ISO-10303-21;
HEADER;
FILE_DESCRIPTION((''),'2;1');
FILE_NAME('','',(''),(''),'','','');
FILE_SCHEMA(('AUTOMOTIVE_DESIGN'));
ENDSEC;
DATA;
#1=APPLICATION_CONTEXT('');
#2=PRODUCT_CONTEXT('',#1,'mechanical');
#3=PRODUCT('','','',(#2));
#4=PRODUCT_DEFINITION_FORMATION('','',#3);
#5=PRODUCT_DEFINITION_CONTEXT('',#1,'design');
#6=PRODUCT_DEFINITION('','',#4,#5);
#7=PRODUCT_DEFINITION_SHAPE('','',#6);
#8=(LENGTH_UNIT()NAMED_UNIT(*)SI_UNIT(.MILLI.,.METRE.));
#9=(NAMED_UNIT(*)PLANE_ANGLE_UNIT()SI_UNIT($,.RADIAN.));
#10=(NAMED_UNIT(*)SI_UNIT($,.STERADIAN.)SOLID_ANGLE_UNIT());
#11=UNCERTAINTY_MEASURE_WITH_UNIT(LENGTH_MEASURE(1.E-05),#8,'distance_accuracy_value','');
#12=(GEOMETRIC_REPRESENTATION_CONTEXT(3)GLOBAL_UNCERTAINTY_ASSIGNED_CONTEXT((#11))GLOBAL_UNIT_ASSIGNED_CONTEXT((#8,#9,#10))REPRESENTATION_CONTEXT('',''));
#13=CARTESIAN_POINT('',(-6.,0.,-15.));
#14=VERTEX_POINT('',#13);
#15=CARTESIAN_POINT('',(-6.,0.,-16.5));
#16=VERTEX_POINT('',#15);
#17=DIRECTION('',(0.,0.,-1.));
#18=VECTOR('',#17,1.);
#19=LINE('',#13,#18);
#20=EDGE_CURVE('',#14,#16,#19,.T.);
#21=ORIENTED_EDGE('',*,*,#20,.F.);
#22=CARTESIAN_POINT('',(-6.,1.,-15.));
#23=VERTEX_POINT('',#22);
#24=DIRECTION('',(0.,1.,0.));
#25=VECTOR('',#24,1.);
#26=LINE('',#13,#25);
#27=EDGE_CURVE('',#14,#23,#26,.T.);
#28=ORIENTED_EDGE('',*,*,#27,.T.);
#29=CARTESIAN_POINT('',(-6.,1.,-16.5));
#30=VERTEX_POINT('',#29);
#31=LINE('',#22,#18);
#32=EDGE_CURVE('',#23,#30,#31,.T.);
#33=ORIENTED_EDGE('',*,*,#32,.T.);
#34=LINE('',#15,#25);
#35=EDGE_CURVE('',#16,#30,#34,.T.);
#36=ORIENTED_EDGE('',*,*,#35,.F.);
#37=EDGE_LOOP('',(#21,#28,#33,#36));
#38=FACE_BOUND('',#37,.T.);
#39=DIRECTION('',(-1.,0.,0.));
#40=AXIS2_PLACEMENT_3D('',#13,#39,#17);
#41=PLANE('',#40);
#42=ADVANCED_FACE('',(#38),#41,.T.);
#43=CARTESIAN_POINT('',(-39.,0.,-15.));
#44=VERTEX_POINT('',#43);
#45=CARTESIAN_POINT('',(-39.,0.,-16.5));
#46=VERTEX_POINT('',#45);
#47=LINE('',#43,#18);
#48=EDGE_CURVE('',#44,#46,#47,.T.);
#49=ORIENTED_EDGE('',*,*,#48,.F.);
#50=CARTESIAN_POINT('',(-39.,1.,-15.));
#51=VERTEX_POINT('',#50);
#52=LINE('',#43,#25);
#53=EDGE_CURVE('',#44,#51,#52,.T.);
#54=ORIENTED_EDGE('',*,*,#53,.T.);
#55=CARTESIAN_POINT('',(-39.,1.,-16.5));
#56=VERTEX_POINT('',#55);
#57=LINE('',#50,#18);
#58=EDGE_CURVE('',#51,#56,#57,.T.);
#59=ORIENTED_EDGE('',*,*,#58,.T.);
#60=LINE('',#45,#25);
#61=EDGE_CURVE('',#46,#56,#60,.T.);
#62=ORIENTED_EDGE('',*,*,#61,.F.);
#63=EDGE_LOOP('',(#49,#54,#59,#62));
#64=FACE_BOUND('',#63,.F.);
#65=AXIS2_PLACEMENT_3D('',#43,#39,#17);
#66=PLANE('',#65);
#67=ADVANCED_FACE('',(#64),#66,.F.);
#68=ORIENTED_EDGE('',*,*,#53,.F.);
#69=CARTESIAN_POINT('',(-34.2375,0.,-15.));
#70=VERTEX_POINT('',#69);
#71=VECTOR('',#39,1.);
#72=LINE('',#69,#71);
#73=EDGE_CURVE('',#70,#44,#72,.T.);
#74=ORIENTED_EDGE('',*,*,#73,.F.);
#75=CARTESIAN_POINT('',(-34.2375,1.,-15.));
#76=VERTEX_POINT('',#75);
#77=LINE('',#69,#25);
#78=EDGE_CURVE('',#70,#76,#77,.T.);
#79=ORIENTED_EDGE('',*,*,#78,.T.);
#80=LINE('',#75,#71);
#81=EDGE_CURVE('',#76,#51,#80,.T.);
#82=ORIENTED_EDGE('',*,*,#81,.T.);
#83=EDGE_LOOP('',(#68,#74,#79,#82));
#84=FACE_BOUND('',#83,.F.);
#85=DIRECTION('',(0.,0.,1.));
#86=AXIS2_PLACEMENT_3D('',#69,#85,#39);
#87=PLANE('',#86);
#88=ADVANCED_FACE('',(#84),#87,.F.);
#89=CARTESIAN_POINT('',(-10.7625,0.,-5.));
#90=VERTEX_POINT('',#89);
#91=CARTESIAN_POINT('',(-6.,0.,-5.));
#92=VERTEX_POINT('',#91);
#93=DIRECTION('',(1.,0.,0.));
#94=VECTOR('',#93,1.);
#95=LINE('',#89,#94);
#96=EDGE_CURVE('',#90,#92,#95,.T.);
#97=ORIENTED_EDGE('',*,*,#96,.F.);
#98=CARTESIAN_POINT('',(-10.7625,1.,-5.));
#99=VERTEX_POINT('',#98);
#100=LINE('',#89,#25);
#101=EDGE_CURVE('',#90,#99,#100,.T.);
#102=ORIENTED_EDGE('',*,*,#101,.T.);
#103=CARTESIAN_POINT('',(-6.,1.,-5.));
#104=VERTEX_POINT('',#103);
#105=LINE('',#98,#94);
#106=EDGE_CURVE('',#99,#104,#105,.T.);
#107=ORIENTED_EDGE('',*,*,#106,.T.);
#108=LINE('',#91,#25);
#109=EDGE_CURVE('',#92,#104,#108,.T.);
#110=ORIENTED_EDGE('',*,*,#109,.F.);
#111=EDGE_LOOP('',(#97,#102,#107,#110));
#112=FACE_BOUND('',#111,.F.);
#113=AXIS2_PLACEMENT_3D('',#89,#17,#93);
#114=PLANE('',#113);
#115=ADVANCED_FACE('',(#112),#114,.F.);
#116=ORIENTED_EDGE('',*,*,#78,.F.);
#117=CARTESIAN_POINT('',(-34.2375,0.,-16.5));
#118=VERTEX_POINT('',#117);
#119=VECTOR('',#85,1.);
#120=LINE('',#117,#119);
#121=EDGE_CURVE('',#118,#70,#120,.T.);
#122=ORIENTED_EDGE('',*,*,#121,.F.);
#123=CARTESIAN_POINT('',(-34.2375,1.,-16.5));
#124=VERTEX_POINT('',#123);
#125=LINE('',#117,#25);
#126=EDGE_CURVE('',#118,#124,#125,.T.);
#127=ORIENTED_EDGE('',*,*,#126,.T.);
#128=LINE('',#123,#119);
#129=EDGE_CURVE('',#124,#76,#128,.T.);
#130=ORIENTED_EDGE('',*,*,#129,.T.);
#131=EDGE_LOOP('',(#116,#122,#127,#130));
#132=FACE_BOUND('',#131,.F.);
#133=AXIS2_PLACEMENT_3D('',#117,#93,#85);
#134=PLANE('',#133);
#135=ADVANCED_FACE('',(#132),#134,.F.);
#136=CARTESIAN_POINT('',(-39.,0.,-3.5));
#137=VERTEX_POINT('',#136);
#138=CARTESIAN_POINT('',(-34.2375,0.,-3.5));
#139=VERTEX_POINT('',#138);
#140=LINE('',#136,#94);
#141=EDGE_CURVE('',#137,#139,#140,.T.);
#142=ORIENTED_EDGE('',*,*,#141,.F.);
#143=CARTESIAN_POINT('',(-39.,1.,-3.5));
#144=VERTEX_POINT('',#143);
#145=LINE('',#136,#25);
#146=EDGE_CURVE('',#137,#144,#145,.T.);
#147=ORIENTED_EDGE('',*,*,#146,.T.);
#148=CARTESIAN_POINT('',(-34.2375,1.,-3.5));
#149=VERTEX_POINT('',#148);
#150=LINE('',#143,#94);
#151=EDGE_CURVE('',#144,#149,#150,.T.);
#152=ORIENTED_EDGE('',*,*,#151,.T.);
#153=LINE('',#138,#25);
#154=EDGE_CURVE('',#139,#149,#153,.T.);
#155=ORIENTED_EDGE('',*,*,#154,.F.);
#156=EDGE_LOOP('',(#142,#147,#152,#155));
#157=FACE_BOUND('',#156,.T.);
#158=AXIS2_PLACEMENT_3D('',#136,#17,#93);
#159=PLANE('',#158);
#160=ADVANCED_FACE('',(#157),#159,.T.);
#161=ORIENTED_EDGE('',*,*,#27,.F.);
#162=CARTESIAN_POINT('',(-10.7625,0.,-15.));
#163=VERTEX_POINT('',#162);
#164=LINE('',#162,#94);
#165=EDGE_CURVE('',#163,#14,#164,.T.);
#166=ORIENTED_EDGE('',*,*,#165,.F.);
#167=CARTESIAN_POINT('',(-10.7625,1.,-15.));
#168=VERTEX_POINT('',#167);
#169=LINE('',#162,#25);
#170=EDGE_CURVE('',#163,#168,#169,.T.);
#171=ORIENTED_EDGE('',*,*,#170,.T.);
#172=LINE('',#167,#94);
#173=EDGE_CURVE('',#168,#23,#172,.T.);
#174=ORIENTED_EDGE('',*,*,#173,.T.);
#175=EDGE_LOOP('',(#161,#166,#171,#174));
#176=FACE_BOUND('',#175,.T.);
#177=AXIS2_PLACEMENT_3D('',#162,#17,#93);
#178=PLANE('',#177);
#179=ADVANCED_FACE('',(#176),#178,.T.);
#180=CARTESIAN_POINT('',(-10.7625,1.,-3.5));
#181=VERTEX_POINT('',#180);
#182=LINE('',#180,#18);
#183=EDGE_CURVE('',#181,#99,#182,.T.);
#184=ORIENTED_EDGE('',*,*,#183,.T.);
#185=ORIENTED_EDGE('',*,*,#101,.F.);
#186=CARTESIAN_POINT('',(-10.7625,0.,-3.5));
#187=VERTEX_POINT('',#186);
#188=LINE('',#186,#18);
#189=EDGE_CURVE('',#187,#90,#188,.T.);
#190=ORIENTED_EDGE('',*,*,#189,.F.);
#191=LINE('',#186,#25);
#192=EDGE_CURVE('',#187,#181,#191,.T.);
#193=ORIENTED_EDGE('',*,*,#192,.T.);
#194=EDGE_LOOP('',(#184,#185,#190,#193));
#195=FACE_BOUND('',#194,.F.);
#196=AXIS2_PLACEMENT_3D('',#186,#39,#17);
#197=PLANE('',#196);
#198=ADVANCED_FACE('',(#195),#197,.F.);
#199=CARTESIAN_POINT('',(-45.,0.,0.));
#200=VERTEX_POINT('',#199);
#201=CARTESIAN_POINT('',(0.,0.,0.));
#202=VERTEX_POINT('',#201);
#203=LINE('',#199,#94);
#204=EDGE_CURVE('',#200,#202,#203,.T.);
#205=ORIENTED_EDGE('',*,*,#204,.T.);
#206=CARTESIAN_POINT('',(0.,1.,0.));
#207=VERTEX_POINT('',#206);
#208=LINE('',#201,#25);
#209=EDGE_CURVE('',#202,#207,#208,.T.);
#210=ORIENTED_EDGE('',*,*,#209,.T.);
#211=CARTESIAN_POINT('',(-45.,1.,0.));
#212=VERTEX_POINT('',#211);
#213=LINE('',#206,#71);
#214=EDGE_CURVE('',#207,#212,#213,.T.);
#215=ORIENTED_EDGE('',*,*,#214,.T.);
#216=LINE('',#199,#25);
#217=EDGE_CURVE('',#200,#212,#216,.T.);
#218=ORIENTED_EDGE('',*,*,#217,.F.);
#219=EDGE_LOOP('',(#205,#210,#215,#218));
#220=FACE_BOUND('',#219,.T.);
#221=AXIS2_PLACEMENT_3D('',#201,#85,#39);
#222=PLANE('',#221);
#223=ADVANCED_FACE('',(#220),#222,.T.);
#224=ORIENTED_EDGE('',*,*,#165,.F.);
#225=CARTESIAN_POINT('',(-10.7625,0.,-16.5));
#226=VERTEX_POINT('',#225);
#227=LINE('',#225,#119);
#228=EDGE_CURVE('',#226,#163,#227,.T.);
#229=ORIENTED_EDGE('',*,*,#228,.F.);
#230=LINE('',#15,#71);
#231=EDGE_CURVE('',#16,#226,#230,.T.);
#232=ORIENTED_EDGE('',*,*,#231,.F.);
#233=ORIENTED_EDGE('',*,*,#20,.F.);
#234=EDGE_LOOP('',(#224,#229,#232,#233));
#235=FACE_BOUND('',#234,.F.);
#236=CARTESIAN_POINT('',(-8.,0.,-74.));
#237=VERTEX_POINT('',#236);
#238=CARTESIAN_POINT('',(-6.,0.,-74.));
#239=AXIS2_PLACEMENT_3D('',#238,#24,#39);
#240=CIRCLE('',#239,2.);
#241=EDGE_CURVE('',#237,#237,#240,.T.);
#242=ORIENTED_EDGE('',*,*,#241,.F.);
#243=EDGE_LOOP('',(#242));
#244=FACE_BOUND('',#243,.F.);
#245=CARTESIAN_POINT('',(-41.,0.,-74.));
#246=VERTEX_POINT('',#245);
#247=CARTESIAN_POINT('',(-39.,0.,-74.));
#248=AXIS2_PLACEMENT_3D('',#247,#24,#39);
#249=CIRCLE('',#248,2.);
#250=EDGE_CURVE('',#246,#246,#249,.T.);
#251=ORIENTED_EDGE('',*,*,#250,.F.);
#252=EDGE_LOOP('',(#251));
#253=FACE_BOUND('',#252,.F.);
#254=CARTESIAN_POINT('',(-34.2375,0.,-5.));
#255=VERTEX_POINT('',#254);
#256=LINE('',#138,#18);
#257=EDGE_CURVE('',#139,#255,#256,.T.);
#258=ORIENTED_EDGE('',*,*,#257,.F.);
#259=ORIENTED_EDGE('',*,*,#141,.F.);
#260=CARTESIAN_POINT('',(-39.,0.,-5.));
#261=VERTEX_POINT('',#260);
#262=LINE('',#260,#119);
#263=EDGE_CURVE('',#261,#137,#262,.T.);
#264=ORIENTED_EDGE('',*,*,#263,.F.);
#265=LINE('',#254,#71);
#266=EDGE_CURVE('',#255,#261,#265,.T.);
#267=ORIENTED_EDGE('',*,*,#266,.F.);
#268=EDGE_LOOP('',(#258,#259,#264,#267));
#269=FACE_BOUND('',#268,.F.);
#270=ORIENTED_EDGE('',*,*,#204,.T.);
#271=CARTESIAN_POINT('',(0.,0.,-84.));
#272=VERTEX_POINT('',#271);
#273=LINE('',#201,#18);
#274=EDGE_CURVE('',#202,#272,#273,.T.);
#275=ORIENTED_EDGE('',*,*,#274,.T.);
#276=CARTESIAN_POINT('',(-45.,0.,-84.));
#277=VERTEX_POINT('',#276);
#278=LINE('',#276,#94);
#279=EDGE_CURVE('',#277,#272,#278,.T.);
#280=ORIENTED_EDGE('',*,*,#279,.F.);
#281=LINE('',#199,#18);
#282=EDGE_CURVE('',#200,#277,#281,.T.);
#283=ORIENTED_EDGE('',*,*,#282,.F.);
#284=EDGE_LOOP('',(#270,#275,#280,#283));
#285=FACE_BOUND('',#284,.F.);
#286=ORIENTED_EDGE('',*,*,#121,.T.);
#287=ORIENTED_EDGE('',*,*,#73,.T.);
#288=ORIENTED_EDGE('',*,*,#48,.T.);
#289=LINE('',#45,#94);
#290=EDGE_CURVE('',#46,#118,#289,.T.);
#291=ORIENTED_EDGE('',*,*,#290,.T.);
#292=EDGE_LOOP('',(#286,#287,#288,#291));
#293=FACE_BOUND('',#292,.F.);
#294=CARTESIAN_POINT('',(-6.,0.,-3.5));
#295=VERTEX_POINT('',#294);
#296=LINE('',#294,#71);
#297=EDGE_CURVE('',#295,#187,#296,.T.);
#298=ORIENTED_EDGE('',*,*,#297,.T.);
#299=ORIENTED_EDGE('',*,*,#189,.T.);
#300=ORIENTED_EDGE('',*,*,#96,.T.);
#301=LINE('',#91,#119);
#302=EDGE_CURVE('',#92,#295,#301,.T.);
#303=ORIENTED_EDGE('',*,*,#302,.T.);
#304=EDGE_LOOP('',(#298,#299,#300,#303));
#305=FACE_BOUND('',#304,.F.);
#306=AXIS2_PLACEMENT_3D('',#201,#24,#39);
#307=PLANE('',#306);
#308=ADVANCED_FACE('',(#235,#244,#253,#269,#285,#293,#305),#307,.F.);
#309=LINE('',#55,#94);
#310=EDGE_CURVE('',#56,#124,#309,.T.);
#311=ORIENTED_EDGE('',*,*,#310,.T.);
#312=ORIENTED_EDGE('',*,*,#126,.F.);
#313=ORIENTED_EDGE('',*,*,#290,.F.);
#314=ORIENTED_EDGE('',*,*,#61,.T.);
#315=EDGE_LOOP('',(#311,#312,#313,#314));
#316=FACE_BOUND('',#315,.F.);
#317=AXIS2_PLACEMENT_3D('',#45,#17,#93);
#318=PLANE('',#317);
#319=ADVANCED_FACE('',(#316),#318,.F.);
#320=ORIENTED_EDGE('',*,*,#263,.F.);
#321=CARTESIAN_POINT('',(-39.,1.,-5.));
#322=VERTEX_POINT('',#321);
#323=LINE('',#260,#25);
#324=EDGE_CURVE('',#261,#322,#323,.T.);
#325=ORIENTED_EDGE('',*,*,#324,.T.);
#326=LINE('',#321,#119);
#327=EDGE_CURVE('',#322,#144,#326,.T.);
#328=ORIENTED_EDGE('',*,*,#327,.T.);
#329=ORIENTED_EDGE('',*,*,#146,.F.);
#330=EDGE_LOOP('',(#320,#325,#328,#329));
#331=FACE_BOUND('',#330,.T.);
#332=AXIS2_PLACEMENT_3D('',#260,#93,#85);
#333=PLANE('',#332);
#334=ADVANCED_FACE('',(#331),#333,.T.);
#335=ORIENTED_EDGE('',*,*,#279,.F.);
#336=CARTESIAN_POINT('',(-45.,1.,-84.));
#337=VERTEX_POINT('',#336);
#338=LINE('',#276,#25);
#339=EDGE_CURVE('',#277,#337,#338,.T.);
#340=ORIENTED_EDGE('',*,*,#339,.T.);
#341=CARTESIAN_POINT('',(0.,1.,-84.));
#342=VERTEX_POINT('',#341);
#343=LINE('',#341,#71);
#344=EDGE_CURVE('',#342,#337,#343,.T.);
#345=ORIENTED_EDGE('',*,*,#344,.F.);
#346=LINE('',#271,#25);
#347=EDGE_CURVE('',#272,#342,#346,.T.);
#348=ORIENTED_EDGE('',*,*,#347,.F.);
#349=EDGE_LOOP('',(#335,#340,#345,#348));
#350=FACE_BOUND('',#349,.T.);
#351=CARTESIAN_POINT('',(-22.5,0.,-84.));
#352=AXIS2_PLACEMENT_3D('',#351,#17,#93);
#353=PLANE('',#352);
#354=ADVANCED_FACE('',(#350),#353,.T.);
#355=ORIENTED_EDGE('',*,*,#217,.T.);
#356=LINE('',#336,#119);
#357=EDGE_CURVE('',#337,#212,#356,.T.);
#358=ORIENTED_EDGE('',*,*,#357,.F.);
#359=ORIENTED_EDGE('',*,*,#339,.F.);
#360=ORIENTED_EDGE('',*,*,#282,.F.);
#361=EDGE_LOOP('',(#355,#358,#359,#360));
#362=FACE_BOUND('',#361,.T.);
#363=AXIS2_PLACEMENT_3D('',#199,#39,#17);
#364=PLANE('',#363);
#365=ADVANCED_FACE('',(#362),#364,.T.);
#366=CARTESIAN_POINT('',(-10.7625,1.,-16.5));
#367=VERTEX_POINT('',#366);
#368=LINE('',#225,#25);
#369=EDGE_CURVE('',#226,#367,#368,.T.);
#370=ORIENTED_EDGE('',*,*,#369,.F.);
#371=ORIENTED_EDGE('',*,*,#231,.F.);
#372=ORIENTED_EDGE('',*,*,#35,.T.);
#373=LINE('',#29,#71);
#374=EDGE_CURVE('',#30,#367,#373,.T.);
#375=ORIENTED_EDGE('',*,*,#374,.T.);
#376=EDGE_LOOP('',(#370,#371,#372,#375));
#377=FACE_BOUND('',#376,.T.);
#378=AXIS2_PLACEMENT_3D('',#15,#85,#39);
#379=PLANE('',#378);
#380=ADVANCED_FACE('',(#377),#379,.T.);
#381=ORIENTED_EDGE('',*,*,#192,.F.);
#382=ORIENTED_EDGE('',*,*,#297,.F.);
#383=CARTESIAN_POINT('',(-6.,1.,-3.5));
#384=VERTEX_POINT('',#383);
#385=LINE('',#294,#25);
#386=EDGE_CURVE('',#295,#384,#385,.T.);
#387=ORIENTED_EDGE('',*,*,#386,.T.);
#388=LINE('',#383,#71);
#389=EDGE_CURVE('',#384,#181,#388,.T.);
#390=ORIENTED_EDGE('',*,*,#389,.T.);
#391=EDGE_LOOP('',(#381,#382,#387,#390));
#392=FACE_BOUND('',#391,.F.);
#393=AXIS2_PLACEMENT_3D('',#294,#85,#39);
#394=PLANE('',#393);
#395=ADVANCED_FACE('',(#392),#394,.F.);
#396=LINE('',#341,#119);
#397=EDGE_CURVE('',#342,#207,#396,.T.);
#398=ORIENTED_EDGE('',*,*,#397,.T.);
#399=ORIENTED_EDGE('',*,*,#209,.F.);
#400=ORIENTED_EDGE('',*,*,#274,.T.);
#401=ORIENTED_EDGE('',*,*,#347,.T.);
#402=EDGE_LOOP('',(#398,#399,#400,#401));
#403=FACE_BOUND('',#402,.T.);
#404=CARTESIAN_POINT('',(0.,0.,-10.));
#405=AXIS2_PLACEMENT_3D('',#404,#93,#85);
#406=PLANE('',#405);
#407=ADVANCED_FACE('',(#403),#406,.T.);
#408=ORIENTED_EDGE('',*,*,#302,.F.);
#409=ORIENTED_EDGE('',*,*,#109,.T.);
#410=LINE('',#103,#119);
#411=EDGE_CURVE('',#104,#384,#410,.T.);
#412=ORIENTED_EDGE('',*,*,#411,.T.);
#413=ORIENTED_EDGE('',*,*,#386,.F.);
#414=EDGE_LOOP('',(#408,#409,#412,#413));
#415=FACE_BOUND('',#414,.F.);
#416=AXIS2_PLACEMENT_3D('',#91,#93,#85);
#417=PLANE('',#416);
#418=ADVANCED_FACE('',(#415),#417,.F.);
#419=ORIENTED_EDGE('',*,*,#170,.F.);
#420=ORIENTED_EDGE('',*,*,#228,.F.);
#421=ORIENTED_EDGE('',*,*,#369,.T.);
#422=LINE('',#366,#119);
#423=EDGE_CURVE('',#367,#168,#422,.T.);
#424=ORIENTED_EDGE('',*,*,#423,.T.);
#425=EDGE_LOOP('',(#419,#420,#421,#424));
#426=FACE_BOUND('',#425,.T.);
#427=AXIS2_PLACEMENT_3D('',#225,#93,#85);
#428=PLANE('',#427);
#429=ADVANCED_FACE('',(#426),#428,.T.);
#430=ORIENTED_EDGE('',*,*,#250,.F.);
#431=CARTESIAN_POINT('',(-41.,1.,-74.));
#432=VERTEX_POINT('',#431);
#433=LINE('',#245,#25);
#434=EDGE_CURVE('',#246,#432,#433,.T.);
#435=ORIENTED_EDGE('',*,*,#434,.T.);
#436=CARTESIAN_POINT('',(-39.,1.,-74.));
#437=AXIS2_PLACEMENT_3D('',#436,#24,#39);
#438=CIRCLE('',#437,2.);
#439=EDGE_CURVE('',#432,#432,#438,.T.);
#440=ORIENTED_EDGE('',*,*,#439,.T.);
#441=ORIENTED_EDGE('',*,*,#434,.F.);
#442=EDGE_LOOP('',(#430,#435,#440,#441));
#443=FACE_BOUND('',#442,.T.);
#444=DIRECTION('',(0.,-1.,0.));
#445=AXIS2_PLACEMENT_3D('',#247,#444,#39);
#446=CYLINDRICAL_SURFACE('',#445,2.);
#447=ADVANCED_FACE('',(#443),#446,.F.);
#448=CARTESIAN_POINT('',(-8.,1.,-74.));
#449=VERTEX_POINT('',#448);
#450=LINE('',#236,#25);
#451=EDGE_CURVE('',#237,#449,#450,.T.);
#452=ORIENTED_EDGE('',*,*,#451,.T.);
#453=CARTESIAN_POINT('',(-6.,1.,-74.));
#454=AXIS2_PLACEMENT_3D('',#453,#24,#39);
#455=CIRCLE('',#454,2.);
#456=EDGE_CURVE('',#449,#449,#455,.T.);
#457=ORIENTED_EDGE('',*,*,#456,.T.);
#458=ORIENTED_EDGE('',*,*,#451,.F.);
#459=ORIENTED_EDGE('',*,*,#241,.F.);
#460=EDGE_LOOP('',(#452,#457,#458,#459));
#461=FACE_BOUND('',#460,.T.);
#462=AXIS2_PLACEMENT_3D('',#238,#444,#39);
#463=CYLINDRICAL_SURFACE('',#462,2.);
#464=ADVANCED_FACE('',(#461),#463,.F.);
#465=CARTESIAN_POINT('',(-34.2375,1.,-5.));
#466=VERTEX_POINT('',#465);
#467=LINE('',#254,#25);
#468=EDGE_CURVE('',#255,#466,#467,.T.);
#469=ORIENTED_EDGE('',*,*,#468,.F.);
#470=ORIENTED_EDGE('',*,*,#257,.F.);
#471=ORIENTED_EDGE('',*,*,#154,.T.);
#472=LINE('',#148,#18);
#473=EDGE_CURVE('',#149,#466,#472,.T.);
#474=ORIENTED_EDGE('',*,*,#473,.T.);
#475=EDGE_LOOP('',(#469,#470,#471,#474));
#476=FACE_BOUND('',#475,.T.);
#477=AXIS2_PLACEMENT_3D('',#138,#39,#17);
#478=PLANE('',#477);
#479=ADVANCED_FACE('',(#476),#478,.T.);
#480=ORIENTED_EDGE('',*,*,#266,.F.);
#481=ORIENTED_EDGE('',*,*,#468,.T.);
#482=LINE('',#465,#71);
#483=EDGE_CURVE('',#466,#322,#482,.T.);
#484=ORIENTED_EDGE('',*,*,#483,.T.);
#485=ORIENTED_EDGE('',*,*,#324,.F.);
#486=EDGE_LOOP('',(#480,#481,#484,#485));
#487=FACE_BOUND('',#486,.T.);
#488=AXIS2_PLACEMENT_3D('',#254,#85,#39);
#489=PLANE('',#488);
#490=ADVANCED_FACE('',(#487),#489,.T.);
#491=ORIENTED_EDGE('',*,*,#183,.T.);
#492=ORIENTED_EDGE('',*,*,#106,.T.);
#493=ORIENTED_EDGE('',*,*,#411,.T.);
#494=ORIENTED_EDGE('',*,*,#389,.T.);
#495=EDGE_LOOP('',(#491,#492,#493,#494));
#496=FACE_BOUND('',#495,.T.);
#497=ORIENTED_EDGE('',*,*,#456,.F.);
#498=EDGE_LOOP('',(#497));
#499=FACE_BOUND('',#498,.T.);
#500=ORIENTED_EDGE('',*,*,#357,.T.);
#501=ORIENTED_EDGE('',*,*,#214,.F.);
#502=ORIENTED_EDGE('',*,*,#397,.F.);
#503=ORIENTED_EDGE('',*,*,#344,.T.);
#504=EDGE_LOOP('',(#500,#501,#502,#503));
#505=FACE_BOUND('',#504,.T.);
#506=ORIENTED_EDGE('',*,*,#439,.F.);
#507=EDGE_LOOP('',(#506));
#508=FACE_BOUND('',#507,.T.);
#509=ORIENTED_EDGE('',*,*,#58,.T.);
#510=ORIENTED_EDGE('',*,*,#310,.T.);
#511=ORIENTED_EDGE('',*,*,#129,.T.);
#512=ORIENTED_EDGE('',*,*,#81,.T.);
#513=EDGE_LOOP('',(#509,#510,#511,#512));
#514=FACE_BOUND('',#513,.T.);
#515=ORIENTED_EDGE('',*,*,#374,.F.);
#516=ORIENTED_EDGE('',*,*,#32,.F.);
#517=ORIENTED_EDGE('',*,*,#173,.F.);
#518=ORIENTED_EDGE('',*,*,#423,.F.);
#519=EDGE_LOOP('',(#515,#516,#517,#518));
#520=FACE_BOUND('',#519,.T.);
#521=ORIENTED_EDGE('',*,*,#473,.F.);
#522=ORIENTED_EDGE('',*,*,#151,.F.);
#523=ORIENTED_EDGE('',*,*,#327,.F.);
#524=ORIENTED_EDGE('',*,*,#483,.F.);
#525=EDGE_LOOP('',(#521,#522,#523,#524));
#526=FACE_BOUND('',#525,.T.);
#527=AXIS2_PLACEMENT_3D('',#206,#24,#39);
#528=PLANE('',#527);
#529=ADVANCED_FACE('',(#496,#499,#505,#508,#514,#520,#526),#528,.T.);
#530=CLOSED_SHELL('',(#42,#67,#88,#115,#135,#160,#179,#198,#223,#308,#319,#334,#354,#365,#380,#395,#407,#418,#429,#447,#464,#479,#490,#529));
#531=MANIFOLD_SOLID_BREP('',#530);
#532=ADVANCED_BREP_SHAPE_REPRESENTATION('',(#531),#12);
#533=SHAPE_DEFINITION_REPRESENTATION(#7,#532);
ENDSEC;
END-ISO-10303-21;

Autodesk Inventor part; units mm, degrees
ref_plane "YZ Plane" through (0, 0, 0) normal (1, 0, 0) x (0, 1, 0)
ref_plane "XZ Plane" through (0, 0, 0) normal (0, 1, 0) x (-1, 0, 0)
ref_plane "XY Plane" through (0, 0, 0) normal (0, 0, 1) x (1, 0, 0)
sketch "Sketch1" plane through (0, 0, 0) normal (0, 1, 0) x (-1, 0, 0)
  line L0 (0, 0) -> (45, 0)
  line L1 (45, 0) -> (45, -84)
  line L2 (45, -84) -> (0, -84)
  line L3 (0, -84) -> (0, 0)
  line L4 (0, 0) -> (45, 0)
  line L5 (0, 2) -> (0, 0)
  circle A0 centre (6, -74) radius 2
  circle A1 centre (39, -74) radius 2
  line L6 (22.5, 0) -> (22.5, -84)
  line L7 (45, -10) -> (0, -10)
  line L8 (6, -3.5) -> (10.7625, -3.5)
  line L9 (10.7625, -3.5) -> (10.7625, -5)
  line L10 (10.7625, -5) -> (6, -5)
  line L11 (6, -5) -> (6, -3.5)
  line L12 (6, -16.5) -> (10.7625, -16.5)
  line L13 (10.7625, -16.5) -> (10.7625, -15)
  line L14 (10.7625, -15) -> (6, -15)
  line L15 (6, -15) -> (6, -16.5)
  line L16 (39, -3.5) -> (34.2375, -3.5)
  line L17 (34.2375, -3.5) -> (34.2375, -5)
  line L18 (34.2375, -5) -> (39, -5)
  line L19 (39, -5) -> (39, -3.5)
  line L20 (34.2375, -16.5) -> (34.2375, -15)
  line L21 (39, -15) -> (39, -16.5)
  line L22 (39, -16.5) -> (34.2375, -16.5)
  line L23 (34.2375, -15) -> (39, -15)
  dimension "d0" = 45
  dimension "d1" = 84
  dimension "d3" = 10
  dimension "d4" = 6
  dimension "d5" = 10
  dimension "d6" = 6
  dimension "d7" = 4
  dimension "d8" = 4
  dimension "d19" = 20
  dimension "d20" = 6
  dimension "d21" = 10
  dimension "d22" = 1.5
extrude "Extrusion4" add sketch "Sketch1" along normal blind 1
properties part number "Platte1_2"
